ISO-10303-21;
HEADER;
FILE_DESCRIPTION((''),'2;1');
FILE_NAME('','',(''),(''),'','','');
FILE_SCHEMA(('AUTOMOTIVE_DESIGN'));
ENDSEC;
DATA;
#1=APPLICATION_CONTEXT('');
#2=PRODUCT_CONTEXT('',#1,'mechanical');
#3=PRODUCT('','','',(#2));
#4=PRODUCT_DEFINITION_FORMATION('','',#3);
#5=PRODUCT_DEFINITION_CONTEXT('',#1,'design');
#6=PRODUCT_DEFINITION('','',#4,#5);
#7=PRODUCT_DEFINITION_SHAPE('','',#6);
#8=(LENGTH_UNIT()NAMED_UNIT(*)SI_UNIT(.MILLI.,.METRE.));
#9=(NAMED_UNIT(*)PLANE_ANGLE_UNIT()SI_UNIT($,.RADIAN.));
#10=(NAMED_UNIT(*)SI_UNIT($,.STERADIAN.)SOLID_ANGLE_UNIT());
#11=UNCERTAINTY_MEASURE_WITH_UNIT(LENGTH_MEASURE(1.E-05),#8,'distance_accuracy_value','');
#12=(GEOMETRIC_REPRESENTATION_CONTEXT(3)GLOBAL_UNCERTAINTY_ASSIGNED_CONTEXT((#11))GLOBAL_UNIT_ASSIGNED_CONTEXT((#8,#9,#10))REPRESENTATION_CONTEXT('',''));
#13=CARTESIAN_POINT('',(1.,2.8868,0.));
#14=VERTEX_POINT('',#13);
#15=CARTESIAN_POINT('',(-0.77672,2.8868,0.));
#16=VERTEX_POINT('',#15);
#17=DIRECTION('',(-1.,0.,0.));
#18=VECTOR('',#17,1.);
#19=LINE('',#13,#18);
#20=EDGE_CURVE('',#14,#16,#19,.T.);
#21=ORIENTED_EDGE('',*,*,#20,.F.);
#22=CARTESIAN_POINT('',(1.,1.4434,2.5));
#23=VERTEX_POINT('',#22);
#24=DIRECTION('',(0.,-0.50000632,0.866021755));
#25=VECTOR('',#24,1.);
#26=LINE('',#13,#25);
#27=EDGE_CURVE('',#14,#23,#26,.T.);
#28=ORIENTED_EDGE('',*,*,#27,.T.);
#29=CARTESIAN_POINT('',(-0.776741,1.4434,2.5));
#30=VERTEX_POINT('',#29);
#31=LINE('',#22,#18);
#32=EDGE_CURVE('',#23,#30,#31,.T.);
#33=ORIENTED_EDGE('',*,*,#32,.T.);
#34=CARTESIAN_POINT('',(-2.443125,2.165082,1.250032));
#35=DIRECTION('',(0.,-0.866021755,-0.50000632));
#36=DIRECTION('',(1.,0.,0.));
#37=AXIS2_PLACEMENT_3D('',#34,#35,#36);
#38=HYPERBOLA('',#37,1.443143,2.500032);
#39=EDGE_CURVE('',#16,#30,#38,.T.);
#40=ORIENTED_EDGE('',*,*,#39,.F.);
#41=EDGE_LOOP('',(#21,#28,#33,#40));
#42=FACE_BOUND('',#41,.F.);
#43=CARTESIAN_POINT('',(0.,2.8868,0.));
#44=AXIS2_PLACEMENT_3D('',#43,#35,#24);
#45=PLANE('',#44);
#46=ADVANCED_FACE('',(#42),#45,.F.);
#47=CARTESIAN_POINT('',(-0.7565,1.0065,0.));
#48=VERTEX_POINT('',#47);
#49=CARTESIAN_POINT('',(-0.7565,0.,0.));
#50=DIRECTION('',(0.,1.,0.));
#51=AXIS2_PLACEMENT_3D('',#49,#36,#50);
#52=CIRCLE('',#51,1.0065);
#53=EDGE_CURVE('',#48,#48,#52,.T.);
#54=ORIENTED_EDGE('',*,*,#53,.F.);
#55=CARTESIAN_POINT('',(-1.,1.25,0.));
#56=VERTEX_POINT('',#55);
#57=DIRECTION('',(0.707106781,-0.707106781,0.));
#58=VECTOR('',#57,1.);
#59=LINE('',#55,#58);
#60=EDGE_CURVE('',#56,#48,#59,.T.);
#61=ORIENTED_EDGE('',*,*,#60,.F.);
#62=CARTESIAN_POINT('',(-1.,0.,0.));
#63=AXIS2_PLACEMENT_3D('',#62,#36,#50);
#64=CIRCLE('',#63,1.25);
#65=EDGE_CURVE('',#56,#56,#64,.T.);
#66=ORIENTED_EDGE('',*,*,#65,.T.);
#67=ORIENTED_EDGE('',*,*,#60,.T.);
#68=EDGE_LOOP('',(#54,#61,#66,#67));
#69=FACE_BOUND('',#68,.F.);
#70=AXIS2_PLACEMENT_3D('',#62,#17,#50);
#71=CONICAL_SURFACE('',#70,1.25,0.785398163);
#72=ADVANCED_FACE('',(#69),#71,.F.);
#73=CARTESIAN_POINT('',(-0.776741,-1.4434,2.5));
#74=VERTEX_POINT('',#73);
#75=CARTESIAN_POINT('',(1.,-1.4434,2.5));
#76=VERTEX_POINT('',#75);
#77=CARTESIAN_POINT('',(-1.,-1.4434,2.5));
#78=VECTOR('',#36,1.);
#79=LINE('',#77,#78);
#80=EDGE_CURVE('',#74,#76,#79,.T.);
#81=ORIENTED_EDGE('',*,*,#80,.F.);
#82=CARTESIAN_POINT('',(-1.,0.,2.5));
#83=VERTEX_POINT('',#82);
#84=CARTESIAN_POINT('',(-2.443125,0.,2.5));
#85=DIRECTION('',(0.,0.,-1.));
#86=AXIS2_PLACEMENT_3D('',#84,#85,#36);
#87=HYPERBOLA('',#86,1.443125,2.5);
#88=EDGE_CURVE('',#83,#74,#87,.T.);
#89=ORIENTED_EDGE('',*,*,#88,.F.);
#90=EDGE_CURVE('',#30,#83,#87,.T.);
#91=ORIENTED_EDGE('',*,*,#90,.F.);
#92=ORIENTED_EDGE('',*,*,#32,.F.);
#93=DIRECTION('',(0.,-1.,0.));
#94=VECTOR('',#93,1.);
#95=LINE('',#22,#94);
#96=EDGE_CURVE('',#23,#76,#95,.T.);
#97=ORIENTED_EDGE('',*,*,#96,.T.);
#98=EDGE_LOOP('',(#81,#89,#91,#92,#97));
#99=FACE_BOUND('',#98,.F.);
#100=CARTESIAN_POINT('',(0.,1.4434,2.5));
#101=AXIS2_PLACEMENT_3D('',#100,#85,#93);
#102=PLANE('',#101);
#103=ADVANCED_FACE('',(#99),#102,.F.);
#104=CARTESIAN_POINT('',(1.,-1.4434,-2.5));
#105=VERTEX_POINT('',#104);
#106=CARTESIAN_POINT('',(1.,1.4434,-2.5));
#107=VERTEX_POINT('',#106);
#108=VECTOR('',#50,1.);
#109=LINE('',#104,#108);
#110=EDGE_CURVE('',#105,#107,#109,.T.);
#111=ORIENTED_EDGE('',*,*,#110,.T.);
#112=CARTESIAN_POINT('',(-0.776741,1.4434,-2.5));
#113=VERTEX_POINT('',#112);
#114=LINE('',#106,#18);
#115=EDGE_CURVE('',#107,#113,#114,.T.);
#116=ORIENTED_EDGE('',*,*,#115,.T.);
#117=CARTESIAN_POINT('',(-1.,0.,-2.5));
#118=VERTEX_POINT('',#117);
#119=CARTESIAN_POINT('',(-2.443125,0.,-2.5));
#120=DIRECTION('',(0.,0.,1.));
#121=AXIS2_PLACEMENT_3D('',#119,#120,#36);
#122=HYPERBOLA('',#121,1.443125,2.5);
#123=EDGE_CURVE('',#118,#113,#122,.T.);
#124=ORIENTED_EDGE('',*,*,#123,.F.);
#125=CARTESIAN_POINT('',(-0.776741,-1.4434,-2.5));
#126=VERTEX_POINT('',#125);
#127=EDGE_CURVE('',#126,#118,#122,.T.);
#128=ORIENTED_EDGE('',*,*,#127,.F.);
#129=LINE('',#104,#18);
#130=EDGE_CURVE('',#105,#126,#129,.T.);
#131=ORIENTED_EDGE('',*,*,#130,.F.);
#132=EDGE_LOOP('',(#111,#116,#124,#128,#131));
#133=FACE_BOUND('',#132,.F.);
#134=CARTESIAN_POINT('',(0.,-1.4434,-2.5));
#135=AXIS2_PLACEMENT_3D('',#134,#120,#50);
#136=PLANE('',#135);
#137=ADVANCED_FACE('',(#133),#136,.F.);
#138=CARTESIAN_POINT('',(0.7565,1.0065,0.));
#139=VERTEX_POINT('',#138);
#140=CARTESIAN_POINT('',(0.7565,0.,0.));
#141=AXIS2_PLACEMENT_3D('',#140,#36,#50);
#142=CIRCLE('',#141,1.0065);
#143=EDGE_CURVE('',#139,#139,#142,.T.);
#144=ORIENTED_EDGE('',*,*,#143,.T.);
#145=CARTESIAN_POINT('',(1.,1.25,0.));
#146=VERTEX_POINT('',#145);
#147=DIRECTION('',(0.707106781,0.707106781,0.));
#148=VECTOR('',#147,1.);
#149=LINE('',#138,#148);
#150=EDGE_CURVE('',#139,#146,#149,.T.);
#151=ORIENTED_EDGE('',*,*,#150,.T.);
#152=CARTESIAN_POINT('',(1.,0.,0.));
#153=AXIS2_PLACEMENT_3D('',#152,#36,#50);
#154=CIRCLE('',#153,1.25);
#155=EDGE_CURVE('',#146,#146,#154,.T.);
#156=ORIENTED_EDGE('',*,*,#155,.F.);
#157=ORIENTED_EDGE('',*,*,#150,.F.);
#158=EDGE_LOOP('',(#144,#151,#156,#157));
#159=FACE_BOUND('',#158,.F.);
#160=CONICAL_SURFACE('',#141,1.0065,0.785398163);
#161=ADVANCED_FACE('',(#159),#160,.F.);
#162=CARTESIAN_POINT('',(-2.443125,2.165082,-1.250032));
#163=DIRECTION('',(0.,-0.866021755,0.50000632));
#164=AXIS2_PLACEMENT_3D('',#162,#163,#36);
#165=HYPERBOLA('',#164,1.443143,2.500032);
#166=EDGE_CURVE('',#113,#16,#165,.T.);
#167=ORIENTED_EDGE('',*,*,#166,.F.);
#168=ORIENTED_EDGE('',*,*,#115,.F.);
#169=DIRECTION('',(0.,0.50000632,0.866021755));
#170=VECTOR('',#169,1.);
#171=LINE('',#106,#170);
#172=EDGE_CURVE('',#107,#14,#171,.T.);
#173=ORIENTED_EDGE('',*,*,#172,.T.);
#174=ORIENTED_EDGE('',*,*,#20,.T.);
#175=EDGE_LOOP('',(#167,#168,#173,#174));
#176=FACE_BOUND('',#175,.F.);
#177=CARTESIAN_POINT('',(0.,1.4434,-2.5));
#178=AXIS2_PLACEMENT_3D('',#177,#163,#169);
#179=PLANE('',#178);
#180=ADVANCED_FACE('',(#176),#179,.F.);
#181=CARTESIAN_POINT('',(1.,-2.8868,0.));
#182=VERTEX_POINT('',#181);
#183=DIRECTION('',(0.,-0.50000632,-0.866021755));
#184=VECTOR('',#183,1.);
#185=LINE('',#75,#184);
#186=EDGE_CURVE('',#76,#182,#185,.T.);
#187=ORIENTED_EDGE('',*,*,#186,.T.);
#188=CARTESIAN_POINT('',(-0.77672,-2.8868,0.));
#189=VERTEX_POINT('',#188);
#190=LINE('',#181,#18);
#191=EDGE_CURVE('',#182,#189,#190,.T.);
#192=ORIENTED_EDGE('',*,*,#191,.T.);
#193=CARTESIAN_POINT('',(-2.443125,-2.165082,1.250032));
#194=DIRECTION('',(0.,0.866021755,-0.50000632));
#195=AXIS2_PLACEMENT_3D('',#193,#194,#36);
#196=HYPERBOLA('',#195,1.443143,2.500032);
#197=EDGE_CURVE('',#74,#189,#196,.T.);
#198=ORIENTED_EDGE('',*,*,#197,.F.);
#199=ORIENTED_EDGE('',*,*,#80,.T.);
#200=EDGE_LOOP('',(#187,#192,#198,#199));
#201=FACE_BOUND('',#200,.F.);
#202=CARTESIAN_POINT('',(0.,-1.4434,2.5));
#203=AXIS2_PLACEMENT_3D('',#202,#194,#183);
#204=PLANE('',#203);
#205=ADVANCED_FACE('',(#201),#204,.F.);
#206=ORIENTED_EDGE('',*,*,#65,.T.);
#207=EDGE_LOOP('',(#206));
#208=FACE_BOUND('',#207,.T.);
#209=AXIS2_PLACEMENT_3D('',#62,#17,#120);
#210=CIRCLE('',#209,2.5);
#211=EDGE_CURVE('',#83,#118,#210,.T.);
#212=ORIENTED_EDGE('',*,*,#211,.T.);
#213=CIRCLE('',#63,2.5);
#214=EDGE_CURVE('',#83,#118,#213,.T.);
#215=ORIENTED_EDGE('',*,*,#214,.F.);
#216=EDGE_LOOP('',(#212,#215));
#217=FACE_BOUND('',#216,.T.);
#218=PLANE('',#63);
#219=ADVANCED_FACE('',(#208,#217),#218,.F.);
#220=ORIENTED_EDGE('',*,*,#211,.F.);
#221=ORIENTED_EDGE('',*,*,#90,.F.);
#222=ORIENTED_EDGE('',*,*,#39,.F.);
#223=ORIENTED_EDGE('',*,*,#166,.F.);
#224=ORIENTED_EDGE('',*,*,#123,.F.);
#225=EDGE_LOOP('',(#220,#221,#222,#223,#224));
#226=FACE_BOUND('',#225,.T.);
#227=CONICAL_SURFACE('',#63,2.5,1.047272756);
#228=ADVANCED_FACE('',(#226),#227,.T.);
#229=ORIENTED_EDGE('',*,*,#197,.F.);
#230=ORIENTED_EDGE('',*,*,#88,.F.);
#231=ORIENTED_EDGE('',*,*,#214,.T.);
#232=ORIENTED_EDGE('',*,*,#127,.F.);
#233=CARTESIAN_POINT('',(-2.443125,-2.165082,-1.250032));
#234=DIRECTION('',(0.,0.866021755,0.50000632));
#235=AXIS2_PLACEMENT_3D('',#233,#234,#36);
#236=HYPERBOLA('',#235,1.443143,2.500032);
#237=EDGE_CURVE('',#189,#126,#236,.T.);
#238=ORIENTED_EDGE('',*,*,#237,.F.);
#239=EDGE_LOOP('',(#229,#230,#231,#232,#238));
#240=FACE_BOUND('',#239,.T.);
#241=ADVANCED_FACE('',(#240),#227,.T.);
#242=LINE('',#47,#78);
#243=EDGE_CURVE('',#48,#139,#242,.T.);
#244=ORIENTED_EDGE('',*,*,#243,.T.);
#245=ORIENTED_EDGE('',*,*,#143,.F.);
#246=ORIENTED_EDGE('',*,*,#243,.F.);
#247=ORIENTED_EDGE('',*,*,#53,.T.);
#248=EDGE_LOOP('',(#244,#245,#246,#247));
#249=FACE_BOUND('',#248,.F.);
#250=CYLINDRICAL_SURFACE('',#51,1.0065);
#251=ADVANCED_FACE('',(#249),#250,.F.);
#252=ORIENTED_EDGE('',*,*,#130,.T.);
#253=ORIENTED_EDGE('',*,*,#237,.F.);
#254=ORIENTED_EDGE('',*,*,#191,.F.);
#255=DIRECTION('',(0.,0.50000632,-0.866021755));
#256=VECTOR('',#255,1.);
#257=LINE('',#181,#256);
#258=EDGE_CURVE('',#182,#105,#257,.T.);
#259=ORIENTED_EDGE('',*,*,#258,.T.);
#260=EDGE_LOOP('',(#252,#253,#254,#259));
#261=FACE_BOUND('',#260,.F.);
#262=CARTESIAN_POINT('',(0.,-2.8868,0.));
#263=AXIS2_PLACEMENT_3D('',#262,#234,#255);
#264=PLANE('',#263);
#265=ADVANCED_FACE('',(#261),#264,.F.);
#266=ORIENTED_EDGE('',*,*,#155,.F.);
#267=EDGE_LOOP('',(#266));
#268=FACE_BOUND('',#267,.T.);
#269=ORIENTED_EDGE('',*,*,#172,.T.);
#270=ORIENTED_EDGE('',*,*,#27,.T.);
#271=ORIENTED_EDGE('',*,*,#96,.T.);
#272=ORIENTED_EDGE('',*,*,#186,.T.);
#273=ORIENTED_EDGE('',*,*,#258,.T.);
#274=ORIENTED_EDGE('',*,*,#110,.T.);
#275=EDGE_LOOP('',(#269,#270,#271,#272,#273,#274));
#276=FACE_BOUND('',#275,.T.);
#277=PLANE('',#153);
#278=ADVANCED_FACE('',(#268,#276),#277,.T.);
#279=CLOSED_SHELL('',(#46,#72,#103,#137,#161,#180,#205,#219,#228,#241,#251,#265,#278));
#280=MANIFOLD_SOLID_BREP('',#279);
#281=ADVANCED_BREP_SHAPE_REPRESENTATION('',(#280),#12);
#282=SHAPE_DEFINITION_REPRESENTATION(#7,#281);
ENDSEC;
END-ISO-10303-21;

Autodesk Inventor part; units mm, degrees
sketch "Sketch_1" plane through (0, 0, 0) normal (0, 0, 1) x (1, 0, 0)
  line L0 (1, 0) -> (-1, 0)
  line L1 (-1, 0) -> (-1, 2.5)
  line L2 (-1, 2.5) -> (-0.7691, 2.9)
  line L3 (-0.7691, 2.9) -> (1, 2.9)
  line L4 (1, 2.9) -> (1, 0)
  line L5 (1, 0) -> (-1, 0)
revolve "Revolution1" add sketch "Sketch_1" angle 360 about axis through (1, 0, 0) along (1, 0, 0)
sketch "Sketch_2" plane through (0, 0, 0) normal (0, 0, 1) x (1, 0, 0)
  line L0 (1, 0) -> (-1, 0)
  line L1 (-1, 0) -> (-1, 1.25)
  line L2 (-1, 1.25) -> (-0.7565, 1.0065)
  line L3 (-0.7565, 1.0065) -> (0.7565, 1.0065)
  line L4 (0.7565, 1.0065) -> (1, 1.25)
  line L5 (1, 1.25) -> (1, 0)
  line L6 (1, 0) -> (-1, 0)
revolve "Revolution2" cut sketch "Sketch_2" angle 360 about axis through (1, 0, 0) along (1, 0, 0)
thread "Thread1" size "M2.5x0.45" class "6H" standard "ISO Metric profile" full length
sketch "Sketch_3" plane through (0, 0, 0) normal (1, 0, 0) x (0, 1, 0)
  line L0 (-5, 5) -> (-5, -5)
  line L1 (-5, -5) -> (5, -5)
  line L2 (5, -5) -> (5, 5)
  line L3 (5, 5) -> (-5, 5)
  line L4 (-1.4434, 2.5) -> (-2.8868, 0)
  line L5 (-2.8868, 0) -> (-1.4434, -2.5)
  line L6 (-1.4434, -2.5) -> (1.4434, -2.5)
  line L7 (1.4434, -2.5) -> (2.8868, 0)
  line L8 (2.8868, 0) -> (1.4434, 2.5)
  line L9 (1.4434, 2.5) -> (-1.4434, 2.5)
extrude "Extrusion1" cut sketch "Sketch_3" along normal mid plane 2
ref_plane "cp_XY" through (1, 0, 0) normal (1, 0, 0) x (0, 0, -1)
ref_plane "cp_YZ" through (1, 0, 0) normal (0, 0, -1) x (0, 1, 0)
ref_plane "cp_ZX" through (1, 0, 0) normal (0, 1, 0) x (1, 0, 0)
ref_plane "nut_to_screw_XY" through (0, 0, 0) normal (1, 0, 0) x (0, 0, -1)
ref_plane "nut_to_screw_YZ" through (0, 0, 0) normal (0, 0, -1) x (0, 1, 0)
ref_plane "nut_to_screw_ZX" through (0, 0, 0) normal (0, 1, 0) x (1, 0, 0)
properties part number "SLBNR2.5" material "스테인리스스틸, 감마철"
